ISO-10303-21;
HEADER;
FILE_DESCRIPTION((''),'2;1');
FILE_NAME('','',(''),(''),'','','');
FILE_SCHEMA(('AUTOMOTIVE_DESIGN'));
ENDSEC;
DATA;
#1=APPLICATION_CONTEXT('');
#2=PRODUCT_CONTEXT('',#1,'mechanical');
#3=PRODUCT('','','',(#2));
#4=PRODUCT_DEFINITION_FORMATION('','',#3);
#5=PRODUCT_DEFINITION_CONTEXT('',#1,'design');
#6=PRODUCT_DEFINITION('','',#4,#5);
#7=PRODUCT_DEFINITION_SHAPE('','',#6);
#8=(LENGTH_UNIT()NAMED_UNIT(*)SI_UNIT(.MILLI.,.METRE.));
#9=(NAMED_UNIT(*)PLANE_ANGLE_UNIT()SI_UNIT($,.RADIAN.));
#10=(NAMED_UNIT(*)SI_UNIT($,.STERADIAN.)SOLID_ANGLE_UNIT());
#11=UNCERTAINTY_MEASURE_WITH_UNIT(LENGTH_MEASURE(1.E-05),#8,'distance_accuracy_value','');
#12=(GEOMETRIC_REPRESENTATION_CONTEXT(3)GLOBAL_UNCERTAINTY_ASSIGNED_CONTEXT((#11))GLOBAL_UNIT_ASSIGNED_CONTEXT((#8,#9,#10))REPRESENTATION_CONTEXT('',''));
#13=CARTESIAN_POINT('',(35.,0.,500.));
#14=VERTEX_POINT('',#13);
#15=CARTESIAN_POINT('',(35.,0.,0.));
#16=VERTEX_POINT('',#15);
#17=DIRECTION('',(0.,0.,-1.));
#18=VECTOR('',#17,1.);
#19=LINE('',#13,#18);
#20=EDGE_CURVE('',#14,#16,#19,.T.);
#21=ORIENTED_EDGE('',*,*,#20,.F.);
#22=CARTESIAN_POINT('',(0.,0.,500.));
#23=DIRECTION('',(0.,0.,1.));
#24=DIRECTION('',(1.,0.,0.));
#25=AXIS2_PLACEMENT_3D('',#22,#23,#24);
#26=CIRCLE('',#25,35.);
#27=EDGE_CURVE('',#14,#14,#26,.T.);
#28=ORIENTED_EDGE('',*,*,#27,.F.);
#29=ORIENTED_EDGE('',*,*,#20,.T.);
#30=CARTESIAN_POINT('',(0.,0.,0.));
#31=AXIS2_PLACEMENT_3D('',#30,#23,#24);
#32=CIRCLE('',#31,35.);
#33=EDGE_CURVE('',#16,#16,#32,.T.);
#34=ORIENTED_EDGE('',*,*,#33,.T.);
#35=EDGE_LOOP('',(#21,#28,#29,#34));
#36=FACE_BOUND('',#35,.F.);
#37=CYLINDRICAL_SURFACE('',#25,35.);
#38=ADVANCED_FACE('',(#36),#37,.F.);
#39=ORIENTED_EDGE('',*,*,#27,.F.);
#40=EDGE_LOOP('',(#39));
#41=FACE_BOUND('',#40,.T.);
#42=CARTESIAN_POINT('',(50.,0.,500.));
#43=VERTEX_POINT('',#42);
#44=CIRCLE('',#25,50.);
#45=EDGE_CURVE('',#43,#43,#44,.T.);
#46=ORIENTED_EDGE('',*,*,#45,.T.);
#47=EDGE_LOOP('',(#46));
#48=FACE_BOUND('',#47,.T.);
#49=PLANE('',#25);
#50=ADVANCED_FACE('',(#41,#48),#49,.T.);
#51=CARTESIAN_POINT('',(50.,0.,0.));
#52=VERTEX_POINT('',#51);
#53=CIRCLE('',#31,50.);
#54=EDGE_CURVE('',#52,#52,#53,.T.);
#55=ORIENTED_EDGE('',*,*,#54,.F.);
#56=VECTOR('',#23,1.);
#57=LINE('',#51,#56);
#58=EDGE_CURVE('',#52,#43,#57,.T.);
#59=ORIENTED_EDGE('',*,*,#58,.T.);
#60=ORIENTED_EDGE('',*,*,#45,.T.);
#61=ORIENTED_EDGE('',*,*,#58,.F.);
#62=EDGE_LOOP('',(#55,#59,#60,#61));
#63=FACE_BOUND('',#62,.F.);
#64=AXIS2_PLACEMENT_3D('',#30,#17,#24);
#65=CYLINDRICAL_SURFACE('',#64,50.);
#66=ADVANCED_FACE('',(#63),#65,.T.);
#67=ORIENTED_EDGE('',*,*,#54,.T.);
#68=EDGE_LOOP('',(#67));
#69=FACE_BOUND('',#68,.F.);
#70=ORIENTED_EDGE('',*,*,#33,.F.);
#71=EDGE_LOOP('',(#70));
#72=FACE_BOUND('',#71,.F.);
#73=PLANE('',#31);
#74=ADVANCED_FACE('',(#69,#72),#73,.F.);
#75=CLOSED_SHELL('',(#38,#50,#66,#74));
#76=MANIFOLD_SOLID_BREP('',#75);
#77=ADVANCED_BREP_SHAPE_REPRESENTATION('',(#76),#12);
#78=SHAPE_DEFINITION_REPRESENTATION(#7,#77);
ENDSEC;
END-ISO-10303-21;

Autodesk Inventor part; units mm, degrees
ref_plane "YZ Plane" through (0, 0, 0) normal (1, 0, 0) x (0, 1, 0)
ref_plane "XZ Plane" through (0, 0, 0) normal (0, 1, 0) x (-1, 0, 0)
ref_plane "XY Plane" through (0, 0, 0) normal (0, 0, 1) x (1, 0, 0)
sketch "Sketch1" plane through (0, 0, 0) normal (0, 0, 1) x (1, 0, 0)
  circle A0 centre (0, 0) radius 50
  dimension "d0" = 100
extrude "Extrusion1" add sketch "Sketch1" along normal blind 500
sketch "Sketch2" plane through (0, 0, 500) normal (0, 0, 1) x (1, 0, 0)
  circle A0 centre (0, 0) radius 35
  dimension "d3" = 70
extrude "Extrusion2" cut sketch "Sketch2" against normal blind 500
properties part number "project roller 2 part1"
